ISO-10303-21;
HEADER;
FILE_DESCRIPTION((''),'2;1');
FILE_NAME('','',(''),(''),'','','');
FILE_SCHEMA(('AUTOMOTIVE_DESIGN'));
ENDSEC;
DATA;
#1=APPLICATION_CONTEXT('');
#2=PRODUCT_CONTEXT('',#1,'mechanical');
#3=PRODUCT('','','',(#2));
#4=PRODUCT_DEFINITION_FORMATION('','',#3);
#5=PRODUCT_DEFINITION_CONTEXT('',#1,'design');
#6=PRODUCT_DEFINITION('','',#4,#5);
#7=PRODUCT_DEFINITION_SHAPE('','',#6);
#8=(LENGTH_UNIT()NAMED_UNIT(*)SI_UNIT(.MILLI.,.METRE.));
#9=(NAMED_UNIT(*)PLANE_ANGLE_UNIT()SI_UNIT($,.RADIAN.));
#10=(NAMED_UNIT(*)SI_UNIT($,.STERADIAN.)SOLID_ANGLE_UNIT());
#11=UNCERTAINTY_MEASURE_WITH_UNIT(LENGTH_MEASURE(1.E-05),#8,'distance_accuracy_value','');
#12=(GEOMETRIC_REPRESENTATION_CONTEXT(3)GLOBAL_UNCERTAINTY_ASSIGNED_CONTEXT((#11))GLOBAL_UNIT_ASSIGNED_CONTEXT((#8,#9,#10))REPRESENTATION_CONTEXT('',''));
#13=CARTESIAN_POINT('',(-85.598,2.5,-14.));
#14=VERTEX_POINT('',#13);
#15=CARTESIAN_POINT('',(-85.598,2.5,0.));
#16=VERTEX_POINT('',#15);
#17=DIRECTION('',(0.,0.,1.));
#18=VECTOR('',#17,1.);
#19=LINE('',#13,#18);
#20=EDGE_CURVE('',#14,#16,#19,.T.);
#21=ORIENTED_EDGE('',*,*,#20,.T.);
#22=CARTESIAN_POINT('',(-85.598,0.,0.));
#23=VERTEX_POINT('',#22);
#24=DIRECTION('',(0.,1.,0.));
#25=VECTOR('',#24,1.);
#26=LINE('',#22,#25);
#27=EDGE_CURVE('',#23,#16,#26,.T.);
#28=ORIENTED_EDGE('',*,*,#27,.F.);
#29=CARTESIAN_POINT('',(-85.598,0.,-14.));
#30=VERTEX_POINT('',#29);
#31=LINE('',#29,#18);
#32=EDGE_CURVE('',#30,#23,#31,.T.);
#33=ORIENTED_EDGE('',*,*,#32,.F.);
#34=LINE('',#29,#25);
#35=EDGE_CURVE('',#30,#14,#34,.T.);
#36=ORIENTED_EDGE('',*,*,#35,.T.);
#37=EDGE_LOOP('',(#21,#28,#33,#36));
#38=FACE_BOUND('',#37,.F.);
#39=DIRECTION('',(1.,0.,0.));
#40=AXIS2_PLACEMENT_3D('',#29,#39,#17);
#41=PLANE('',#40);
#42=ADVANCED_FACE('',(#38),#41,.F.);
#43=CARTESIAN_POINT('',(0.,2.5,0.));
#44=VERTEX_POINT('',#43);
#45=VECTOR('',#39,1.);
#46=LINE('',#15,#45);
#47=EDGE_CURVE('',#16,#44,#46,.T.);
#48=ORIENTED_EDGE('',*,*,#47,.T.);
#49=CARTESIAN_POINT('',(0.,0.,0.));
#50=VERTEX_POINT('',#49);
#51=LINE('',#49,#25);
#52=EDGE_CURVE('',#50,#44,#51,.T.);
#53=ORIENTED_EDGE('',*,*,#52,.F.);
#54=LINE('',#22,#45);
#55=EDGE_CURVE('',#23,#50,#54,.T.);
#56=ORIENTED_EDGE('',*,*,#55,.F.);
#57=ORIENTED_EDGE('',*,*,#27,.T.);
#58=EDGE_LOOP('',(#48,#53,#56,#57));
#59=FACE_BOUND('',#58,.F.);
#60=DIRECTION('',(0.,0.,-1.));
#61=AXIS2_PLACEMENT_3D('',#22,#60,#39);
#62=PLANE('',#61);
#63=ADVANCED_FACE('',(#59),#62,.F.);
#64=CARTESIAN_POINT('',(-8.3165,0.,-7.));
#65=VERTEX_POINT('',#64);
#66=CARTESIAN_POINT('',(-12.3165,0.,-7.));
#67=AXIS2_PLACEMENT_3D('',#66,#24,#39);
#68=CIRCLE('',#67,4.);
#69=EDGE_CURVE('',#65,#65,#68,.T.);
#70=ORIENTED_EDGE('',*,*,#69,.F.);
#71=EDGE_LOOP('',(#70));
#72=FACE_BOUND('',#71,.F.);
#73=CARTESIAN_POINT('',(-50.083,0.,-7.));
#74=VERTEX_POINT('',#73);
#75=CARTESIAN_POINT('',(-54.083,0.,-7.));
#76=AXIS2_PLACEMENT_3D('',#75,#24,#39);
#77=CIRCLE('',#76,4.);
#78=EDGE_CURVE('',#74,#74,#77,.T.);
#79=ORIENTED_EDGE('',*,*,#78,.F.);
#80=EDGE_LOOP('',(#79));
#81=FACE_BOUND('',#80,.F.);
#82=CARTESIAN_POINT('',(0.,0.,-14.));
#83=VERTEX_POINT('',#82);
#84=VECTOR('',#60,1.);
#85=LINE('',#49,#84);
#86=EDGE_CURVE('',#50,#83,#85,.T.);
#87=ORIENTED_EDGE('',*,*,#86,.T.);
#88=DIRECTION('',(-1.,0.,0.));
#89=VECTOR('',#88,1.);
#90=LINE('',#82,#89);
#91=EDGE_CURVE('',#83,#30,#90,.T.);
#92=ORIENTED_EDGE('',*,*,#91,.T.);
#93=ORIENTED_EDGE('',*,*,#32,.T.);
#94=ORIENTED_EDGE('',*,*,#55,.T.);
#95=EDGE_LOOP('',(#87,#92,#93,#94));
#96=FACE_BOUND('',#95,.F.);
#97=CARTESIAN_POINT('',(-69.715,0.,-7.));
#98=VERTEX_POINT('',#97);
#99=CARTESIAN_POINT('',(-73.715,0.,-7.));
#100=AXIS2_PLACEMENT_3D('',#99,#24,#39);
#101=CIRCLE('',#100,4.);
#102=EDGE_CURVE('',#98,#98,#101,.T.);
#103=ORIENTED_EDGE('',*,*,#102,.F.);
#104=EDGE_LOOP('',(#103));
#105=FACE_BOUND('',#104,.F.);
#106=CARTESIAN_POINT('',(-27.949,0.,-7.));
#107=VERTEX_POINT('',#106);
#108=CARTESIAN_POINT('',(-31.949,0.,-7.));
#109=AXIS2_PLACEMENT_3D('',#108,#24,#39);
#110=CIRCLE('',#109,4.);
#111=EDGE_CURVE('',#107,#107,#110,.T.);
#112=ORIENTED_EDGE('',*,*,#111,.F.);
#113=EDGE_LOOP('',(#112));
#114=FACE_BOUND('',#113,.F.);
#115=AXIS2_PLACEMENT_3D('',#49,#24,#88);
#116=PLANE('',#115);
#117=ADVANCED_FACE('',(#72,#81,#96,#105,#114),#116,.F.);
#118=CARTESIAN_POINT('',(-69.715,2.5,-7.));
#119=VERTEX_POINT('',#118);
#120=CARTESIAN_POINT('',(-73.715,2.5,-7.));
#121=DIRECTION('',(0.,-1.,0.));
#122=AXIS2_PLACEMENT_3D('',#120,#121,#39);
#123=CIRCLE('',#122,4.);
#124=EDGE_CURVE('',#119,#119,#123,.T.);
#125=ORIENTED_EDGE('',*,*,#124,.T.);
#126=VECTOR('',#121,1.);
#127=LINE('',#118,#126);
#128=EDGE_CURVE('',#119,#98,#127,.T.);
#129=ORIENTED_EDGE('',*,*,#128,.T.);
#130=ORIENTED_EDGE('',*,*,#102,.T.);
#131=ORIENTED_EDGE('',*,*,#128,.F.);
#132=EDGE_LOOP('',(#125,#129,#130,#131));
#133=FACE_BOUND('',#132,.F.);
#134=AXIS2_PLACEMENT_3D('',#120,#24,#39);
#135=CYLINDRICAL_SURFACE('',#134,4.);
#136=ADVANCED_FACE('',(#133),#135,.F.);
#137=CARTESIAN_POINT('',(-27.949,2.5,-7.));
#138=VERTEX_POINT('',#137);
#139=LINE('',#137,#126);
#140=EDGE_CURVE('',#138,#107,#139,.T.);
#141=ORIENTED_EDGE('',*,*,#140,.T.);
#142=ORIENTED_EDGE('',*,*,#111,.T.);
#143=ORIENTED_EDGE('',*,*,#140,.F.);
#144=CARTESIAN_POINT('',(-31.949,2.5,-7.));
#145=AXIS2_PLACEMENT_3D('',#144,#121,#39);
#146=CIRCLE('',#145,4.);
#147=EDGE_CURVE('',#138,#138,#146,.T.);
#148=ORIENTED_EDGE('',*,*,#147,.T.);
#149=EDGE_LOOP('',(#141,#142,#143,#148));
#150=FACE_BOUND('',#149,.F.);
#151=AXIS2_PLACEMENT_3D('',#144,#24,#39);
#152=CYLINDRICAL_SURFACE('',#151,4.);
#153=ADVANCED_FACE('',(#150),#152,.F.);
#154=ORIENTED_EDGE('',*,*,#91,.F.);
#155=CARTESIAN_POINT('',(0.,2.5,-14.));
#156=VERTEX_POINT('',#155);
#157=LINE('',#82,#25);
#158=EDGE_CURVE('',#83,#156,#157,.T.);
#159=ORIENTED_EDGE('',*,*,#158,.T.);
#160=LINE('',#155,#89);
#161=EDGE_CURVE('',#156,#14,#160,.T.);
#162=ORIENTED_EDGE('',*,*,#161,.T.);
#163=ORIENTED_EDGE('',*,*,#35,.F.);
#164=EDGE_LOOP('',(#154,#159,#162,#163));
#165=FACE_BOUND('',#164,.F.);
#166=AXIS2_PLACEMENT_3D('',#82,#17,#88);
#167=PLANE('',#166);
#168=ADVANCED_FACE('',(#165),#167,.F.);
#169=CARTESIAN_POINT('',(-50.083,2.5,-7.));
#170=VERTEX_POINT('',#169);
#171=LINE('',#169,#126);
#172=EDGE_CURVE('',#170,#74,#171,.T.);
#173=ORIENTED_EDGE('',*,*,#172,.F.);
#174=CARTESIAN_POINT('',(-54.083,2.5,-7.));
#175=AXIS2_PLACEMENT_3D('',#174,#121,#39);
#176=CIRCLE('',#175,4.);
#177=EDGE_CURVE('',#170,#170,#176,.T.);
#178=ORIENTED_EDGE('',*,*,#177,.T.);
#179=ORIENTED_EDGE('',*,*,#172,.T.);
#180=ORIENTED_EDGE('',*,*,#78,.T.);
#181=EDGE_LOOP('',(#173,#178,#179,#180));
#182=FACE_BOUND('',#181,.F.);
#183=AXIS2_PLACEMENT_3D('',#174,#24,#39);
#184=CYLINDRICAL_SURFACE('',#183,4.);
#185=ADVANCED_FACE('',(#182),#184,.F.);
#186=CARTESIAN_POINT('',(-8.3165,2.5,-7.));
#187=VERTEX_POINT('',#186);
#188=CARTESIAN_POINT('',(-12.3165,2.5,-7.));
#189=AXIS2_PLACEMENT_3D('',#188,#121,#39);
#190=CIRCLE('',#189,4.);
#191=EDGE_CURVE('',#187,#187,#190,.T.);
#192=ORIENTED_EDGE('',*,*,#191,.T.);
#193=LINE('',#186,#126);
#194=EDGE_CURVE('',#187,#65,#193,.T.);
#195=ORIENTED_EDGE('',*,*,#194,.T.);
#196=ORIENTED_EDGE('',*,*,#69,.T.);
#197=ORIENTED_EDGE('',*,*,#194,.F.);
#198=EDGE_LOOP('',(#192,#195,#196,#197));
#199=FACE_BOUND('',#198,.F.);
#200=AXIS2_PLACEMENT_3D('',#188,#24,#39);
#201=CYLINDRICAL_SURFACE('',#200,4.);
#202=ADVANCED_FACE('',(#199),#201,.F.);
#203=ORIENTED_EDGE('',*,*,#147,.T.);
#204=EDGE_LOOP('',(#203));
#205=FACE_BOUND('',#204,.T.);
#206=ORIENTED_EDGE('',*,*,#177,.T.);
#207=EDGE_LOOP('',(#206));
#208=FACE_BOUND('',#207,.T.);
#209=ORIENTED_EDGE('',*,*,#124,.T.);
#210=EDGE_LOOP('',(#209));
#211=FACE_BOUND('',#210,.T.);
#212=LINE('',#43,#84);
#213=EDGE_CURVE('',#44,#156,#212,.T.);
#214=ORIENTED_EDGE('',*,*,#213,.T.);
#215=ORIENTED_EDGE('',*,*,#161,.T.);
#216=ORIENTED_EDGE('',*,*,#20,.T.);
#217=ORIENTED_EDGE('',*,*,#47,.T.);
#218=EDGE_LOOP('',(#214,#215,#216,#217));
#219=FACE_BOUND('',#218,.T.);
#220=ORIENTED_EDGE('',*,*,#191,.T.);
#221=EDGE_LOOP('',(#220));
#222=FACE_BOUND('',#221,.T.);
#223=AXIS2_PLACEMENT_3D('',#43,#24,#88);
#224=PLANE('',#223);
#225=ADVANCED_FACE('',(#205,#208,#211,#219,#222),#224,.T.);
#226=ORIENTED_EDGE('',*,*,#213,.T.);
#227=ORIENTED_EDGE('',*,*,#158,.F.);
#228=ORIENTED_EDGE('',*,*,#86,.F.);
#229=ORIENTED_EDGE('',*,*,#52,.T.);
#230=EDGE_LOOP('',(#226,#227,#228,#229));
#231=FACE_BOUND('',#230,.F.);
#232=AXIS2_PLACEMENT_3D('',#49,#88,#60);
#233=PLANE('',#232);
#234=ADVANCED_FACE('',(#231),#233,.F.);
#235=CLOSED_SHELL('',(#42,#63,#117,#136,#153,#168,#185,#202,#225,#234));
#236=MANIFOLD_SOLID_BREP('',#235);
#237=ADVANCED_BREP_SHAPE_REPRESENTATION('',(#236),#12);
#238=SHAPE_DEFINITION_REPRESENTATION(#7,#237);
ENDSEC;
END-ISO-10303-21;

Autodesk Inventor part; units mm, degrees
ref_plane "YZ Plane" through (0, 0, 0) normal (1, 0, 0) x (0, 1, 0)
ref_plane "XZ Plane" through (0, 0, 0) normal (0, 1, 0) x (-1, 0, 0)
ref_plane "XY Plane" through (0, 0, 0) normal (0, 0, 1) x (1, 0, 0)
sketch "Sketch1" plane through (0, 0, 0) normal (0, 1, 0) x (-1, 0, 0)
  line L0 (0, 0) -> (0, -14)
  line L1 (0, -14) -> (85.598, -14)
  line L2 (85.598, -14) -> (85.598, 0)
  line L3 (85.598, 0) -> (0, 0)
  dimension "d0" = 14
  dimension "d1" = 85.598
extrude "Extrusion1" add sketch "Sketch1" along normal blind 2.5
sketch "Sketch2" plane through (0, 2.5, 0) normal (0, 1, 0) x (1, 0, 0)
  line L0 (0, 0) -> (0, 14) projected
  line L1 (0, 14) -> (-85.598, 14) projected
  line L2 (-85.598, 0) -> (0, 0) projected
  circle A0 centre (-12.3165, 7) radius 4
  circle A1 centre (-31.949, 7) radius 4
  line L3 (0, 0) -> (-85.598, 0)
  line L4 (0, 24) -> (-2.5, 24)
  line L5 (-2.5, 24) -> (-41.766, 24)
  line L6 (-41.766, 24) -> (-44.266, 24)
  line L7 (-44.266, 24) -> (-54.083, 24)
  line L8 (-44.266, 24) -> (-83.532, 24)
  line L9 (-83.532, 24) -> (-73.715, 24)
  line L10 (-73.715, 24) -> (-73.715, -12)
  line L11 (-44.266, 24) -> (-44.266, -7)
  line L12 (-54.083, 24) -> (-54.083, -7)
  circle A2 centre (-54.083, 7) radius 4
  circle A3 centre (-73.715, 7) radius 4
  line L13 (-73.715, 7) -> (-12.3165, 7)
  dimension "d15" = 8
  dimension "d17" = 2.5
  dimension "d18" = 39.266
  dimension "d19" = 9.8165
  dimension "d20" = 9.817
  dimension "d21" = 2.5
  dimension "d22" = 9.817
  dimension "d23" = 39.266
  dimension "d24" = 9.817
  dimension "d25" = 8
  dimension "d27" = 8
extrude "Extrusion2" cut sketch "Sketch2" against normal blind 2.5 contours A0 | A1 L13 | L13 A1 | A2 L13 L12 | L12 L13 A2 | L13 L12 A2 | L12 L13 A2 | A3 L10 | L10 L13 A3 | A3 L13 L10
properties part number "Estructura Anillos" material "MDF Medium Density Fiberboard"
